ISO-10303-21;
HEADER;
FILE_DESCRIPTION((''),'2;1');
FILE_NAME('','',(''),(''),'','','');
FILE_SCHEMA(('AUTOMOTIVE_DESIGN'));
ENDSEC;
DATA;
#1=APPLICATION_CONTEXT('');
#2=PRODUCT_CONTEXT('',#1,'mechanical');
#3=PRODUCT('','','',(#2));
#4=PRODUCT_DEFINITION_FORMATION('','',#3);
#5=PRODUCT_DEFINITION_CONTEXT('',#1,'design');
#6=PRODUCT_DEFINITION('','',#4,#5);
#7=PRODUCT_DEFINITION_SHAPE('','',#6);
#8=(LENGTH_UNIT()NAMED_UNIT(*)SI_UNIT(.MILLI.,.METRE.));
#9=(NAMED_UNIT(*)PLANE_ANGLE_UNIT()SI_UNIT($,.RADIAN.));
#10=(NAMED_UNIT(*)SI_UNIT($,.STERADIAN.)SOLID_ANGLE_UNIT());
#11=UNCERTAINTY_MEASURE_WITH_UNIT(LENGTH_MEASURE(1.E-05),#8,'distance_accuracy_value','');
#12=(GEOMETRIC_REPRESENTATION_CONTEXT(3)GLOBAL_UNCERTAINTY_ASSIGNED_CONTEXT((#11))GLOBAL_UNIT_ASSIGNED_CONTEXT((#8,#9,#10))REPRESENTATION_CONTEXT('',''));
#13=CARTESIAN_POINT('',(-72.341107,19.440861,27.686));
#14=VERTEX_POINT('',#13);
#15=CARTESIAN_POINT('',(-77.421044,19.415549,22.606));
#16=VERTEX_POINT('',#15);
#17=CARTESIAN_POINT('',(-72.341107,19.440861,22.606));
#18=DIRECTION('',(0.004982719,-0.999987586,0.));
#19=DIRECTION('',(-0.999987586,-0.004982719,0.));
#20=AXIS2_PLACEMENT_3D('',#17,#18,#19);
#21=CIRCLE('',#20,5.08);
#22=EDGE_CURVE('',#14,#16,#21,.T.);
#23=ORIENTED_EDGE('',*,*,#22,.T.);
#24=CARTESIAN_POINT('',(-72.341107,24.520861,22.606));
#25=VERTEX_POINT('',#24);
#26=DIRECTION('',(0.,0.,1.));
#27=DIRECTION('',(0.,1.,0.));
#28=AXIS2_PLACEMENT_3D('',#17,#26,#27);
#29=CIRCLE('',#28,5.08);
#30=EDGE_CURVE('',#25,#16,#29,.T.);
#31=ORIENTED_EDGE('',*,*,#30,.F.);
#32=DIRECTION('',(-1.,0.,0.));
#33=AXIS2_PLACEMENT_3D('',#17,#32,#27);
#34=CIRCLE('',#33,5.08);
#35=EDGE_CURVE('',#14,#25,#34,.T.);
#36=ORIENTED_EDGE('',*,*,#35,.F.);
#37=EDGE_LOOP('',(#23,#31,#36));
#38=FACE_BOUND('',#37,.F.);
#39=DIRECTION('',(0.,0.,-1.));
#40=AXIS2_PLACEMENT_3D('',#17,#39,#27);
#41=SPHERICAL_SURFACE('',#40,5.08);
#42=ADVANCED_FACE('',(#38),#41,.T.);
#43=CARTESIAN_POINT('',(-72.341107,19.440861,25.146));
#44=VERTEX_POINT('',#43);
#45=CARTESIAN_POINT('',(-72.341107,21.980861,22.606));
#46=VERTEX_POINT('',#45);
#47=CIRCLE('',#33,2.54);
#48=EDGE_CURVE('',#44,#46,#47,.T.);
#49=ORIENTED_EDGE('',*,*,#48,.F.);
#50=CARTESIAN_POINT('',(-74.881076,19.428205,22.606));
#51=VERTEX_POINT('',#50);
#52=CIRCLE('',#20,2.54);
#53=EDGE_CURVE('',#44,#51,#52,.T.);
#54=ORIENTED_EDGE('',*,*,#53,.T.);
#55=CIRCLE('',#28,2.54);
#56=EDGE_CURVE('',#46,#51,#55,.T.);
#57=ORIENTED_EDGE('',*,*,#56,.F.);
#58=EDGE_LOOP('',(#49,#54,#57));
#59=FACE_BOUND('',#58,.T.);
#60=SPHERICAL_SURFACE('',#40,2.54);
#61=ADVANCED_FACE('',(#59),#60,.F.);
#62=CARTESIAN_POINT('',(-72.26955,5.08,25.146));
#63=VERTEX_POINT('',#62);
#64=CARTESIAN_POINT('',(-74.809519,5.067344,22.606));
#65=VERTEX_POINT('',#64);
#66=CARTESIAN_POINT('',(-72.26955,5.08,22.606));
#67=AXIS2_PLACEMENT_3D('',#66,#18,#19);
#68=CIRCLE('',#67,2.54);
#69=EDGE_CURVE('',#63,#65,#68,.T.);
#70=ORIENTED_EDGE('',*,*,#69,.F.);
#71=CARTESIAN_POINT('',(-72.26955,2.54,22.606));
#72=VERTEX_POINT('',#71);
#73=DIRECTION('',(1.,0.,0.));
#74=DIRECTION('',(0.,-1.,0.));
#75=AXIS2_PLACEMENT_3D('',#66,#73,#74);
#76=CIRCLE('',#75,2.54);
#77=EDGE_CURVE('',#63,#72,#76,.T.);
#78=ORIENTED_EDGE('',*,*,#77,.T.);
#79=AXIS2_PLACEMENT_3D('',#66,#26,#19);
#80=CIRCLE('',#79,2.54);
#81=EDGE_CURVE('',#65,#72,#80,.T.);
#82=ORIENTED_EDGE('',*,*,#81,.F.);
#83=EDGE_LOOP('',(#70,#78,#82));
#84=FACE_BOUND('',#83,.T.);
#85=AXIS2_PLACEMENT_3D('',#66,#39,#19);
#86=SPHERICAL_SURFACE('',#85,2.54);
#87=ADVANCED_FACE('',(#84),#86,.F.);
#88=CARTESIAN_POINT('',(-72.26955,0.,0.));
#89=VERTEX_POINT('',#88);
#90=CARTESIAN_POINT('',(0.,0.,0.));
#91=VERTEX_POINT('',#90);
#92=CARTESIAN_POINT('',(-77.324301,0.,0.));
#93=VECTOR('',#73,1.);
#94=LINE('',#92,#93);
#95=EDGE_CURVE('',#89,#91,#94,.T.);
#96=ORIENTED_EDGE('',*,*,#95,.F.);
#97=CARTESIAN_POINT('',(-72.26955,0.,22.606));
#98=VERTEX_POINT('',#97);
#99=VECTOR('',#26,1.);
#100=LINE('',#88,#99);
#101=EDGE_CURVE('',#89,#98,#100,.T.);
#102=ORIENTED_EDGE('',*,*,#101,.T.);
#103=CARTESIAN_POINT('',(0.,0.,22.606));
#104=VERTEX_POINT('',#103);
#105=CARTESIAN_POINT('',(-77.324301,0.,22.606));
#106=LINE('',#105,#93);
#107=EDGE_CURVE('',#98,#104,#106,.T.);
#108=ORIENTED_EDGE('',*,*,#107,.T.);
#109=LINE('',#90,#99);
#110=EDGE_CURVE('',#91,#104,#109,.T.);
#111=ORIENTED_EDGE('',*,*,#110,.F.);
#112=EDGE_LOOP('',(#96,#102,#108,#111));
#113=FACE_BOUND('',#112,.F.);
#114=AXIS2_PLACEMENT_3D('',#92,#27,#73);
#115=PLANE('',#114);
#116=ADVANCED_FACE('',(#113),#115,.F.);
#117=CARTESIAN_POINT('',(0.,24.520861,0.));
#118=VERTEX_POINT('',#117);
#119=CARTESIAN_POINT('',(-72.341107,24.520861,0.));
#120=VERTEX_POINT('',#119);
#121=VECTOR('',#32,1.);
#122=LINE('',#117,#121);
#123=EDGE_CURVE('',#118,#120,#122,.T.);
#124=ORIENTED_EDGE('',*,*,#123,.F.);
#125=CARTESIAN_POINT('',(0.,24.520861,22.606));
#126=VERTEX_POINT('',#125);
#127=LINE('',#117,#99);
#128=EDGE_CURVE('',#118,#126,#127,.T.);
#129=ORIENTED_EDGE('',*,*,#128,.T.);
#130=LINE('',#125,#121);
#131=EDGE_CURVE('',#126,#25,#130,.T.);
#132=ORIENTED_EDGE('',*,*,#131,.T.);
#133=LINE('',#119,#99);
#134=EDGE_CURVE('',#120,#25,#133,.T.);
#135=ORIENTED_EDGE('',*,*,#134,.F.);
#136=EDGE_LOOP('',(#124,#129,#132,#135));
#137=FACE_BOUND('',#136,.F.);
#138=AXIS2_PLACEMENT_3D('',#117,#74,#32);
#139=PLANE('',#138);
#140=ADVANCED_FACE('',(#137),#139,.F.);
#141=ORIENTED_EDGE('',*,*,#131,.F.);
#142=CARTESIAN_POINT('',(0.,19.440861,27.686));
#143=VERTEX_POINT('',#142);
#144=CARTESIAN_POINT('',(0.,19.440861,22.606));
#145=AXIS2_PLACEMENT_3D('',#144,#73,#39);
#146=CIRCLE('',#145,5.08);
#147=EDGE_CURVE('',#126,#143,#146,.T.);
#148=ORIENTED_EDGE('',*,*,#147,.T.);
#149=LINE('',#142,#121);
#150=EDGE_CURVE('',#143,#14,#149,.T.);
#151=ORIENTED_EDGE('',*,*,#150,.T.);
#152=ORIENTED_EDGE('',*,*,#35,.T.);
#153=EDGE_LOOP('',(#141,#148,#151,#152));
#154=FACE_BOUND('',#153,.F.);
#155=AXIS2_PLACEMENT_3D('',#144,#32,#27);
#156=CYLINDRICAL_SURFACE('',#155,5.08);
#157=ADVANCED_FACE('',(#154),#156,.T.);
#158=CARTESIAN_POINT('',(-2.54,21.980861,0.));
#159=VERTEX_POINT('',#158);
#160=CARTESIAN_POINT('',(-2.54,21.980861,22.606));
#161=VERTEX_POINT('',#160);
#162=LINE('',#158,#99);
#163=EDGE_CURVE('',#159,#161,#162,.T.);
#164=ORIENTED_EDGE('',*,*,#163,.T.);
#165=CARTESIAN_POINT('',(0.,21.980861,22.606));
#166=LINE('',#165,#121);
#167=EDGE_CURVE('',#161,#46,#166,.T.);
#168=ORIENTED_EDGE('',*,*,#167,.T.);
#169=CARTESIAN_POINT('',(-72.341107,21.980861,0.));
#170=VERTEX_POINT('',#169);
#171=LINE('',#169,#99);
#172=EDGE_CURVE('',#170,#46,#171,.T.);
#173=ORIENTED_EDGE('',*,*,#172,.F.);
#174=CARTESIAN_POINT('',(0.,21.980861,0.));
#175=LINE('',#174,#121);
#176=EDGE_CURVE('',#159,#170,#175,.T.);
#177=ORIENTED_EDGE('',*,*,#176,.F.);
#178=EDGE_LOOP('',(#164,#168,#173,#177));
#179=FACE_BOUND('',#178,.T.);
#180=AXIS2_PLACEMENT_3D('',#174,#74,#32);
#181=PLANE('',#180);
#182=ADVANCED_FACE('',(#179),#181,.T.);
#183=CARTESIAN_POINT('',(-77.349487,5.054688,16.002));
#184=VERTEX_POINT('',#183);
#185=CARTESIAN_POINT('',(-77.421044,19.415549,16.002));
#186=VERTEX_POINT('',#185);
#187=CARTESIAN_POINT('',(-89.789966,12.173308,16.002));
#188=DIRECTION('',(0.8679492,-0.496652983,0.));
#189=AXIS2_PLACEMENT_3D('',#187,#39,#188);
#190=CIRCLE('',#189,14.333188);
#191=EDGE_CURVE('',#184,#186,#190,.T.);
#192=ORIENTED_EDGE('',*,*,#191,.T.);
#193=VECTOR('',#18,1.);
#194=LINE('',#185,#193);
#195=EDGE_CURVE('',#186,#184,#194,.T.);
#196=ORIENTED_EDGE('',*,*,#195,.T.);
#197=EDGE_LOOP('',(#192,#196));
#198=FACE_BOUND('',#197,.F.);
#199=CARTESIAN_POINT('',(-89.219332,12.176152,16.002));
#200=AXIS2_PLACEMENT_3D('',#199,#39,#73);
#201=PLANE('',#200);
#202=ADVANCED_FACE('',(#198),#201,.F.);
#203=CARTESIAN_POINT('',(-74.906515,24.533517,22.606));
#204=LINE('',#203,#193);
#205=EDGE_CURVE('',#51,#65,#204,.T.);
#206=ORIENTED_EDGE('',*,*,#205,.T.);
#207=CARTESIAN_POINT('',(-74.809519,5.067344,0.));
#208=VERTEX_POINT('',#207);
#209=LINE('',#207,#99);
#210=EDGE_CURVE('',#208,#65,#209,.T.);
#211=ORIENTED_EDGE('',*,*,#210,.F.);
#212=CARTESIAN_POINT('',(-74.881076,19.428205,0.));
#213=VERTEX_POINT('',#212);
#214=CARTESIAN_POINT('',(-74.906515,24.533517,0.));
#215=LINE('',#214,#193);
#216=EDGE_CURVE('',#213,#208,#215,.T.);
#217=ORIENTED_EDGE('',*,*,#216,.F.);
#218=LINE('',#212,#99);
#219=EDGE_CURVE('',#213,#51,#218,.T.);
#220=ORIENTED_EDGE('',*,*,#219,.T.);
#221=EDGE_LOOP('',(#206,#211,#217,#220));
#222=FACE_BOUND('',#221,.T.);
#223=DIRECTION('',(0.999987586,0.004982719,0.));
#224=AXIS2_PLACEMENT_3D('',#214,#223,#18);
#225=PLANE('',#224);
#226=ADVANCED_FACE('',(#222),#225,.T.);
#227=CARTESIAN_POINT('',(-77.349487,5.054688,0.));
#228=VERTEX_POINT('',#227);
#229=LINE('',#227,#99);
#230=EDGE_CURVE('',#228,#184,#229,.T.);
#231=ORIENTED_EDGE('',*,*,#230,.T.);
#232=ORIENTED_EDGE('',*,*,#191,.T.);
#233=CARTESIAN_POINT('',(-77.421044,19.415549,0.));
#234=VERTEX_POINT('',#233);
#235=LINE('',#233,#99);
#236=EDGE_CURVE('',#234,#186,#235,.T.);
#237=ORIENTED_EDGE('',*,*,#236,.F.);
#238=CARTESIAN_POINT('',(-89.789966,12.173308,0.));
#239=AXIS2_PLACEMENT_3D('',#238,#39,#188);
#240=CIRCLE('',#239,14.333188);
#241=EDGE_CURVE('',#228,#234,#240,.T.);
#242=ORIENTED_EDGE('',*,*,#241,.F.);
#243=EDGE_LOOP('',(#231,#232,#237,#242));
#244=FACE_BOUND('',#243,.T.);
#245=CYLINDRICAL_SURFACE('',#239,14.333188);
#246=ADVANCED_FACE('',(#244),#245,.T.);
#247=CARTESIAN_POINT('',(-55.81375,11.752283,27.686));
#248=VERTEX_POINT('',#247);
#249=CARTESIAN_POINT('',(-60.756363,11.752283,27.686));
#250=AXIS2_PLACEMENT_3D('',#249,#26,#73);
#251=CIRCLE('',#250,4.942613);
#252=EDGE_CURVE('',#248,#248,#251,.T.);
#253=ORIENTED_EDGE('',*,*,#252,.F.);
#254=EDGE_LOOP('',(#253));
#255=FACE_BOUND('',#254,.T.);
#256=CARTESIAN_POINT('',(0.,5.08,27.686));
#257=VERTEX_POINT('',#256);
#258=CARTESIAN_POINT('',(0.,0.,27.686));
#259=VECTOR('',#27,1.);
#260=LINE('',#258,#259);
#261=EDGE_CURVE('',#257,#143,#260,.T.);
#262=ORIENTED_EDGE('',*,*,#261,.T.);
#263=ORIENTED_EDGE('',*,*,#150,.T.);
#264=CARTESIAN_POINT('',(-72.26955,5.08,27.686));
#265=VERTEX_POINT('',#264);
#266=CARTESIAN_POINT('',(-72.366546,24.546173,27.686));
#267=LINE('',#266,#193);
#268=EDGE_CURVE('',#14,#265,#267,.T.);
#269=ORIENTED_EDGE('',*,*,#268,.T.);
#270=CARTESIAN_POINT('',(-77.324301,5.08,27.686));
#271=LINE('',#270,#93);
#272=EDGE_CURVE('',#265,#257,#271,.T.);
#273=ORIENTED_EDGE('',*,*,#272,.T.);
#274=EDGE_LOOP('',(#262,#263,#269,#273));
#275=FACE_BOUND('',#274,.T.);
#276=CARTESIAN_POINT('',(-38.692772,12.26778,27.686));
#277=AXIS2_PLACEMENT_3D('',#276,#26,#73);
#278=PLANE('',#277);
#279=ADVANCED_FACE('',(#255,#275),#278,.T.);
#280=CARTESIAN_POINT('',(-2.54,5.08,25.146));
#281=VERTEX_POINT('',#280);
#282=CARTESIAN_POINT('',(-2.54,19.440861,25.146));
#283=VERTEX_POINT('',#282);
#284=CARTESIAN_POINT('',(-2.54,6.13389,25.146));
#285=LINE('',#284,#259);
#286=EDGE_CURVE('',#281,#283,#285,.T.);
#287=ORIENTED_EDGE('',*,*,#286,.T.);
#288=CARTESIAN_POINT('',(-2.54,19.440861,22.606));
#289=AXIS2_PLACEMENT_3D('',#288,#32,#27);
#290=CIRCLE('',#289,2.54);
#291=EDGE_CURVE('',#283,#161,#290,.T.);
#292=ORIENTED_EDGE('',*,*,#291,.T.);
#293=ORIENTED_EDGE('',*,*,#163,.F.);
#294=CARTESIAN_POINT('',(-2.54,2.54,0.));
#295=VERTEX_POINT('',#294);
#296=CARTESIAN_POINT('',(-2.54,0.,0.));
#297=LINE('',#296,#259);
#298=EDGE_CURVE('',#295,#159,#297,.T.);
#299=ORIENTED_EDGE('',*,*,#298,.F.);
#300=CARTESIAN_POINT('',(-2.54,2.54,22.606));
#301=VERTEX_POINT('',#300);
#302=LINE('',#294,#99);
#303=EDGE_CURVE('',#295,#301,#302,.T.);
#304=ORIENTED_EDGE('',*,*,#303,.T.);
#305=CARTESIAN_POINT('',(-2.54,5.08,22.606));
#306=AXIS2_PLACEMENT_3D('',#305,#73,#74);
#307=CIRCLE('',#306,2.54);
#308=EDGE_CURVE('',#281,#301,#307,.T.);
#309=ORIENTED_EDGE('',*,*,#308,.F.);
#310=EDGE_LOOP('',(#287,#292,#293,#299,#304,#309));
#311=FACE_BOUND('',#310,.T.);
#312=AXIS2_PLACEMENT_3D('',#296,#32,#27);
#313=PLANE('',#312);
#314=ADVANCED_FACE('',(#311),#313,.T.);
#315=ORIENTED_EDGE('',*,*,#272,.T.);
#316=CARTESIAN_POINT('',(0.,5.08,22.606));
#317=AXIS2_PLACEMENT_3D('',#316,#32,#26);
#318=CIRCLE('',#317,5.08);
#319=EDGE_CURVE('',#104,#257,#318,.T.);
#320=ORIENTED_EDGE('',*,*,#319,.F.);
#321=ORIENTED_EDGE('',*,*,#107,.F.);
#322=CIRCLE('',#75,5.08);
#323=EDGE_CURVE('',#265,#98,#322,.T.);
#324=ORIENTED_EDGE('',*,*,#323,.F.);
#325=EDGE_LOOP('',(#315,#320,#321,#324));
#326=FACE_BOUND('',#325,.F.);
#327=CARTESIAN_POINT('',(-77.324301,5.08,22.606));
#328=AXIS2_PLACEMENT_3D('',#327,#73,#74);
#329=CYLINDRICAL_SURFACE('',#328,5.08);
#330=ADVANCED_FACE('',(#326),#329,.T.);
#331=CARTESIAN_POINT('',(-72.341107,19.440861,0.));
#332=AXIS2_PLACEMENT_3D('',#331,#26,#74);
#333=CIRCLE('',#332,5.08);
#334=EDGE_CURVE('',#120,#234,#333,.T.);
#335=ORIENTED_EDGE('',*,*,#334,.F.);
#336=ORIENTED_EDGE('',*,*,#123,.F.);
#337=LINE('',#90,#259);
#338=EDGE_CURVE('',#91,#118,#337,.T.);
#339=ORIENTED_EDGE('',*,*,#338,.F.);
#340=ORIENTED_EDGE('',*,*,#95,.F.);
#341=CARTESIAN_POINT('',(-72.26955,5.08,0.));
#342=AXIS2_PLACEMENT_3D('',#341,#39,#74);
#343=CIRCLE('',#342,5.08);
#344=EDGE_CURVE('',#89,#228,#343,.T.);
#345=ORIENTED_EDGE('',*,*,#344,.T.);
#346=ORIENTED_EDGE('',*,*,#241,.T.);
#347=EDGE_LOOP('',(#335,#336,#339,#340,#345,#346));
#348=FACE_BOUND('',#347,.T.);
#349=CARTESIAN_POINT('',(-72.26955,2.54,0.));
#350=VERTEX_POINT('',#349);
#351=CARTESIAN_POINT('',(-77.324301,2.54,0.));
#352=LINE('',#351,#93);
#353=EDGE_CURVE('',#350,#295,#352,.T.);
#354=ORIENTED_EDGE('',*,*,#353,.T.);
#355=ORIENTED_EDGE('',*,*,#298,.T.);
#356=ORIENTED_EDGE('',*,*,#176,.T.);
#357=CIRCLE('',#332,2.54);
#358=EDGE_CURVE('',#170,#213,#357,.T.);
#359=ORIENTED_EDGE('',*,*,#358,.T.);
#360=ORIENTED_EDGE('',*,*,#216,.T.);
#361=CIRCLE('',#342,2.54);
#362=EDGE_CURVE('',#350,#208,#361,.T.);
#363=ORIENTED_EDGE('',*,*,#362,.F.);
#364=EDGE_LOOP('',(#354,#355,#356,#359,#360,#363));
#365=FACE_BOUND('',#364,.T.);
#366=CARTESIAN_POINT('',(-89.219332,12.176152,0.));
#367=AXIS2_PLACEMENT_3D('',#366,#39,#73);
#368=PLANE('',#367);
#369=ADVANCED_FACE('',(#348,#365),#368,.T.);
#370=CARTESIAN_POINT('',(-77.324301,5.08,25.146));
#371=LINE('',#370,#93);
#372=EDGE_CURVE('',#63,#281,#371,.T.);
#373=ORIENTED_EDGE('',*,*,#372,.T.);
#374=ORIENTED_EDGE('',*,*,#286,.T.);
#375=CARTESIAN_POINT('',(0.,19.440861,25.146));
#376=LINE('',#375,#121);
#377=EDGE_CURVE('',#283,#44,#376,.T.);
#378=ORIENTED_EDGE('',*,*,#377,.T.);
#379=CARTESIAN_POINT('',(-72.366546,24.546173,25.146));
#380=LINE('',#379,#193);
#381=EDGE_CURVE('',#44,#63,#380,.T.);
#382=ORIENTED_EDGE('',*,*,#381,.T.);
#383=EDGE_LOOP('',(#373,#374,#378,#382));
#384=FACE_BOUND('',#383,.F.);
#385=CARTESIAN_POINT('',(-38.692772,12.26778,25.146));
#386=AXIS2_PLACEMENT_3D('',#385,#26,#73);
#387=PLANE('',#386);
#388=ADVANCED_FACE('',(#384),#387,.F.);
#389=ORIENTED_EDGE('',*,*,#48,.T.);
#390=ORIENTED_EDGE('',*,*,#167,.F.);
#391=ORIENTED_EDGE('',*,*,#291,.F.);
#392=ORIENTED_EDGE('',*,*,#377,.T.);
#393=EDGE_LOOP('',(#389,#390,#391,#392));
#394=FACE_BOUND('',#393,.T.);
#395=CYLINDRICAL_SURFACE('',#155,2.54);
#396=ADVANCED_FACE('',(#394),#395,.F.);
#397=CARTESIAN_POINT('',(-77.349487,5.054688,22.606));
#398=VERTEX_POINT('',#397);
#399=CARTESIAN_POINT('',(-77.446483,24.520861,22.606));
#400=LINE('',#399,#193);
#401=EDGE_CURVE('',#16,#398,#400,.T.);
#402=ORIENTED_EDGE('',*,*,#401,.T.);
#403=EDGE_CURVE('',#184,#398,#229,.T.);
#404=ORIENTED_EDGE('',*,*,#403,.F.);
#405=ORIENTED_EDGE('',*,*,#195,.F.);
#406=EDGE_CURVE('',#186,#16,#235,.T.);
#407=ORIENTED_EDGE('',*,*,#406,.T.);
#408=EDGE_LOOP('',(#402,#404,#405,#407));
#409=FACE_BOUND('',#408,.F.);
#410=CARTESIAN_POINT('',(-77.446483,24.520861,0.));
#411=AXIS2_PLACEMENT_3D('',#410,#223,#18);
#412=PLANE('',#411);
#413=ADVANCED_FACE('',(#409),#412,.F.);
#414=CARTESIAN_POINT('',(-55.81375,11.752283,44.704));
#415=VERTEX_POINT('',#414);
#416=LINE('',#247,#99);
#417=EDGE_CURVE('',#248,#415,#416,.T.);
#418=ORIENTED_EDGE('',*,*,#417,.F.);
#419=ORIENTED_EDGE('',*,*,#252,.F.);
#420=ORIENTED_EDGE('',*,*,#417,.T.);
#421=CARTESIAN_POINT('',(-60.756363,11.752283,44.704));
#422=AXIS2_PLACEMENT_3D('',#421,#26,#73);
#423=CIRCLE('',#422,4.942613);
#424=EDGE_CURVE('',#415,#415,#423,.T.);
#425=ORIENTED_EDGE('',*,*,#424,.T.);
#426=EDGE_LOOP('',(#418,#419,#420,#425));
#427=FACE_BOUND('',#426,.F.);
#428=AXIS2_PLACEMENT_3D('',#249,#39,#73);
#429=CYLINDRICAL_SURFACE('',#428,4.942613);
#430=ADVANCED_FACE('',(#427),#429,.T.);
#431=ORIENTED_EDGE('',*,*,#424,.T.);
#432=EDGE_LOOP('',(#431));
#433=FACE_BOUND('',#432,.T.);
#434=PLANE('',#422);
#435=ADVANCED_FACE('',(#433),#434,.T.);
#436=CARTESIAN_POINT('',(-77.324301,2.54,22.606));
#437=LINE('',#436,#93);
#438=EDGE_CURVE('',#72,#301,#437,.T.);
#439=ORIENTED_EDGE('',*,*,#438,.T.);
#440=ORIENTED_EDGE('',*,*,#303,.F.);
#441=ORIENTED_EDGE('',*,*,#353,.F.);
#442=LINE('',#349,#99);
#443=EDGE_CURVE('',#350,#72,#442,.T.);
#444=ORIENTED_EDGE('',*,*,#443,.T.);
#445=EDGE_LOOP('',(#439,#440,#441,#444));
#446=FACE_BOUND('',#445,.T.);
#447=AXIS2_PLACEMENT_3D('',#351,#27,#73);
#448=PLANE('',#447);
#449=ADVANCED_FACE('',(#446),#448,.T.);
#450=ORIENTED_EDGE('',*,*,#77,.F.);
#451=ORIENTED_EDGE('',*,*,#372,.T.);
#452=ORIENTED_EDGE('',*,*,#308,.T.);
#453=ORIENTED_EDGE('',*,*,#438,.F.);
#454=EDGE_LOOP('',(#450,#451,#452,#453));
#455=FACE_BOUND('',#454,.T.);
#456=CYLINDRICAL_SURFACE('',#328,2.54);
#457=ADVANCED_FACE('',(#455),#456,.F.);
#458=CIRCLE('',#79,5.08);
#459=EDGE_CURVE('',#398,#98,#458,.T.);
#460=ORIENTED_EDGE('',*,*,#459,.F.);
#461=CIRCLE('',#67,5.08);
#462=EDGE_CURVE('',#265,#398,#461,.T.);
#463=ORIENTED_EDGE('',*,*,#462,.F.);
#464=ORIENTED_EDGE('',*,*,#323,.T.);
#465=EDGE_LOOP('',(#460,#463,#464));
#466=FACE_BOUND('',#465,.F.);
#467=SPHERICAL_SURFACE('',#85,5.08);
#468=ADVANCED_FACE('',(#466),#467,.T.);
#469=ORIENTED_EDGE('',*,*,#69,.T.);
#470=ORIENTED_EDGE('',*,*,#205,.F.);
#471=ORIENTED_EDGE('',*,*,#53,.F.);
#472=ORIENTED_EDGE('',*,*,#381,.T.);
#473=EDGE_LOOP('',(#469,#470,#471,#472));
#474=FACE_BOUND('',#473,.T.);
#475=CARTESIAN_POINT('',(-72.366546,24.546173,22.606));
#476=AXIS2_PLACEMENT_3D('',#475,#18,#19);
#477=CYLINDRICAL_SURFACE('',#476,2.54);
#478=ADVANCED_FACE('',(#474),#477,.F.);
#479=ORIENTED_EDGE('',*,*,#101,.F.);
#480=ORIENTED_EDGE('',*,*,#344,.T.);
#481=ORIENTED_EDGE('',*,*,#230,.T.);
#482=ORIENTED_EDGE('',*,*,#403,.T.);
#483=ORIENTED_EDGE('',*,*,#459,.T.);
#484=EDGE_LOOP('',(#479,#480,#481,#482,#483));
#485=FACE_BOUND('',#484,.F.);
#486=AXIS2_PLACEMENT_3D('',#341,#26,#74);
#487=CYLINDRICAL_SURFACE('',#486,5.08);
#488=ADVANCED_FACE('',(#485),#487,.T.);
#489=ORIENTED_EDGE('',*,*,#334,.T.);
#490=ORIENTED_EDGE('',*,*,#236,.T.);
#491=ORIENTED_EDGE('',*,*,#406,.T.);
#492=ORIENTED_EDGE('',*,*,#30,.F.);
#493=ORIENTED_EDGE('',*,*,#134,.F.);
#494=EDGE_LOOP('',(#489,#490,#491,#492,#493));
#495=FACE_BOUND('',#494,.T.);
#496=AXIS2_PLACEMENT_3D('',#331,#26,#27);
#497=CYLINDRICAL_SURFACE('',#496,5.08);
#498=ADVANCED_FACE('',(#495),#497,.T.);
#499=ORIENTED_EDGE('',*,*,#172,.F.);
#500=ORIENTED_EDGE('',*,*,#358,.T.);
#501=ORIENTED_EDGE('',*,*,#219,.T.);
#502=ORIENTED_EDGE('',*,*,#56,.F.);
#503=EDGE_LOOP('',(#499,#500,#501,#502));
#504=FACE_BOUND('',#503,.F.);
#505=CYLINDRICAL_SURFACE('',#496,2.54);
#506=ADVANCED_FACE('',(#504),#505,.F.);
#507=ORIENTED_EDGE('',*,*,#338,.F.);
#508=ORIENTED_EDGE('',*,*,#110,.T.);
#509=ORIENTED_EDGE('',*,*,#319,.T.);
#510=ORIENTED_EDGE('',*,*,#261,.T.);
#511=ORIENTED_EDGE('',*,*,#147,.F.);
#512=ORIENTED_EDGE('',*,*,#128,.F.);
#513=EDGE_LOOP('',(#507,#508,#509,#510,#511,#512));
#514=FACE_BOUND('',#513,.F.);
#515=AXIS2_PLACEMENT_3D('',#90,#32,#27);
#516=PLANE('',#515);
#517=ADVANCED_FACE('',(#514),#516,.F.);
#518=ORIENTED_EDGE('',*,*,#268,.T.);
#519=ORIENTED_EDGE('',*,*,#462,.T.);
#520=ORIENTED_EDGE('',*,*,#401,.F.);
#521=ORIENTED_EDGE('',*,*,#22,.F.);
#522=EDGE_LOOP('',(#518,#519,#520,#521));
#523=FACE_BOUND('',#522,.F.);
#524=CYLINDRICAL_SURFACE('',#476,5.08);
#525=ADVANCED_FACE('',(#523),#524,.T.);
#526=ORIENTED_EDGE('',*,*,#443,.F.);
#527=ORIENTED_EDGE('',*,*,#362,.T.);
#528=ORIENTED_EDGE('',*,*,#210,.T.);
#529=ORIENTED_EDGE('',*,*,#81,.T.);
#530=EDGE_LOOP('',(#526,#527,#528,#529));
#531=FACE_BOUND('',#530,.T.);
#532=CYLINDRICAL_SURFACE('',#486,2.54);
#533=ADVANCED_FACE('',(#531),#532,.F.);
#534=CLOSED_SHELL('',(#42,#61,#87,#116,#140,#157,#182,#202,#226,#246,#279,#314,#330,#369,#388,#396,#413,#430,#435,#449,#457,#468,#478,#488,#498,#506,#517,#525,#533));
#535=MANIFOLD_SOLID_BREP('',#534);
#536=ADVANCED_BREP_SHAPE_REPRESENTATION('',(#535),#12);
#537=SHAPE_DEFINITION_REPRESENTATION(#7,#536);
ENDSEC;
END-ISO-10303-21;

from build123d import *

# Parameters (mm, degrees)
F1_DEPTH = 27.686
F2_R     = 5.08
F3_T     = -2.54
F4_R     = 4.9426127615
F5_DEPTH = 17.018
F7_DEPTH = 16.002


with BuildPart() as f1:
    # F0 (on Top) → F1 (new body)
    with BuildSketch(Plane.XY):
        Polygon((-77.3243010044, 0), (0, 0), (0, 24.5208609849), (-77.4464830756, 24.5208609849), align=None)
    extrude(amount=F1_DEPTH)

    # F2
    f2_edges = [f1.edges().sort_by_distance(p)[0] for p in [
        (-77.446483, 24.520861, 13.843),
        (-38.723242, 24.520861, 27.686),
        (-77.385392, 12.26043, 27.686),
        (-38.662151, 0, 27.686),
        (-77.324301, 0, 13.843),
    ]]
    fillet(f2_edges, radius=F2_R)

    # F3
    f3_openings = [f1.faces().sort_by_distance(p)[0] for p in [
        (-38.472172, 12.262955, 0),
    ]]
    offset(amount=F3_T, openings=f3_openings)

    # F4 (on face) → F5 (join)
    with BuildSketch(Plane.XY.offset(27.686)):
        with Locations((-60.7563629746, 11.7522832006)):
            Circle(F4_R)
    extrude(amount=F5_DEPTH)

    # F6 (on face) → F7 (join)
    with BuildSketch(Plane(origin=(0, 0, 0), x_dir=(1, 0, 0), z_dir=(0, 0, -1))):
        with BuildLine():
            Line((-77.4210444248, -19.4155487735), (-77.3494874048, -5.0546877886))
            ThreePointArc((-77.3494874048, -5.0546877886), (-104.1229765697, -12.1018901343), (-77.4210444248, -19.4155487735))
        make_face()
    extrude(amount=-F7_DEPTH)


solid = f1.part
